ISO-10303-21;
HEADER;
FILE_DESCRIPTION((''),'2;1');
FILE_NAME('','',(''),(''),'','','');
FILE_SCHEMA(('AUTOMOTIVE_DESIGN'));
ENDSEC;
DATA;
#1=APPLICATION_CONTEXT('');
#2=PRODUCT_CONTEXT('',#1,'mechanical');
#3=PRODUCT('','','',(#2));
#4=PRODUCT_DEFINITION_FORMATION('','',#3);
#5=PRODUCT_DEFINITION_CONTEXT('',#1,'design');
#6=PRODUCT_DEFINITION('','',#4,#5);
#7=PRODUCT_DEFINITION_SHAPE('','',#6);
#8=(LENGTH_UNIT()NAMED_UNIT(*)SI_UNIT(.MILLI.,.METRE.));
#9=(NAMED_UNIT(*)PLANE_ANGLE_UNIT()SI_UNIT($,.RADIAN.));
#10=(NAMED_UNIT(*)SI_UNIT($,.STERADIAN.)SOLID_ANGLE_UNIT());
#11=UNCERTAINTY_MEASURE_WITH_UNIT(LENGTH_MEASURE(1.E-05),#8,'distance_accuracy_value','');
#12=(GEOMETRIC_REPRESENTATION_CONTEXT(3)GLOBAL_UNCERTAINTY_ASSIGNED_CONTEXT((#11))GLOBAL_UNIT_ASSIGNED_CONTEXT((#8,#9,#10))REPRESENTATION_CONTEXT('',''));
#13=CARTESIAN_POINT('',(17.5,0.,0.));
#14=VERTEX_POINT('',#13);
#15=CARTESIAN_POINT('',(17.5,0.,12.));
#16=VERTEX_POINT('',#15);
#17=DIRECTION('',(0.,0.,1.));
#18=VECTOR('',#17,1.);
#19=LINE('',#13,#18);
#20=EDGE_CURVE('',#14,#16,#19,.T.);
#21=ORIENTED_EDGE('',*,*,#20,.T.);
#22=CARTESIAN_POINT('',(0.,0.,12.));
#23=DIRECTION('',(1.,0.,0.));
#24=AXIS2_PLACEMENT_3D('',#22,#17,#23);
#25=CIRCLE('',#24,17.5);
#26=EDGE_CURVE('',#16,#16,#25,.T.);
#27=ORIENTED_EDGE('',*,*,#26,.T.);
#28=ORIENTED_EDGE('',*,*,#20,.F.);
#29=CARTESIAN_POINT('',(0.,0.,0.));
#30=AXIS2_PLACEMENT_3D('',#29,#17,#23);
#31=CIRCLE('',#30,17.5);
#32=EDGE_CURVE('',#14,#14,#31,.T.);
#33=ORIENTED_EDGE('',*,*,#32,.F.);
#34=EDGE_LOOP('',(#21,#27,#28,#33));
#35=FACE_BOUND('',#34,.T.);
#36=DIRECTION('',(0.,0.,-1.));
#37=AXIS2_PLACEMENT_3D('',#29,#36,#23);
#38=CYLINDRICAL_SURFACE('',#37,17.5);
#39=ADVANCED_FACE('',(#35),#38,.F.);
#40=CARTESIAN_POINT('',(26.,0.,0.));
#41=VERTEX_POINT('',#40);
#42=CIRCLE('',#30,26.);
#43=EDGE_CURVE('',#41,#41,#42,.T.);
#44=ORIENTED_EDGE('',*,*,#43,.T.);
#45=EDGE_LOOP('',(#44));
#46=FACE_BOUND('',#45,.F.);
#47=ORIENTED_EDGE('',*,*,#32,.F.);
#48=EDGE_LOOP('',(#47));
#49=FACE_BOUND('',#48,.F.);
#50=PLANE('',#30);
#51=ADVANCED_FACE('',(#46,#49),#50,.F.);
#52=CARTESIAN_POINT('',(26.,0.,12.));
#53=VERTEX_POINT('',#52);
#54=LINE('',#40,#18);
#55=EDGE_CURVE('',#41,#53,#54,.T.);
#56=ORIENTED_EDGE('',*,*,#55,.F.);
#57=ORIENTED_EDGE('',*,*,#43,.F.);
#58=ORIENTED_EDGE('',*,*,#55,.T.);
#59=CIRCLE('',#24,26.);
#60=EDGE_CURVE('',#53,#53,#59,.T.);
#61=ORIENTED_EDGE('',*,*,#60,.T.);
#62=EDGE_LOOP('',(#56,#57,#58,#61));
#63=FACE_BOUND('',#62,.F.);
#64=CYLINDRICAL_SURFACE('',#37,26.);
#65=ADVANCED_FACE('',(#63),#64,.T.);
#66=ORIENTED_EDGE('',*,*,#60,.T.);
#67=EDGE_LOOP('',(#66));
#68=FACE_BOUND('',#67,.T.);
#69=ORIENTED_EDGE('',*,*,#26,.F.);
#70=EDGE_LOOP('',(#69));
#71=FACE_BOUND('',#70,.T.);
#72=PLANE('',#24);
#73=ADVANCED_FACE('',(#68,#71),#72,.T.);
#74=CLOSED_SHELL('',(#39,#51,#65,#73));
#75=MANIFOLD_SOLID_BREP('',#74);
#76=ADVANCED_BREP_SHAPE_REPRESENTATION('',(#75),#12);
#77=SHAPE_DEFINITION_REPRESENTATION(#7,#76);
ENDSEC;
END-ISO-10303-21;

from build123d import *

# Parameters (mm, degrees)
SKETCH_R   = 26
SKETCH_R_2 = 17.5
PAD_DEPTH  = 12


with BuildPart() as part:
    # Sketch → Pad (new body)
    with BuildSketch(Plane.XY):
        Circle(SKETCH_R)
        Circle(SKETCH_R_2, mode=Mode.SUBTRACT)
    extrude(amount=PAD_DEPTH)


solid = part.part
